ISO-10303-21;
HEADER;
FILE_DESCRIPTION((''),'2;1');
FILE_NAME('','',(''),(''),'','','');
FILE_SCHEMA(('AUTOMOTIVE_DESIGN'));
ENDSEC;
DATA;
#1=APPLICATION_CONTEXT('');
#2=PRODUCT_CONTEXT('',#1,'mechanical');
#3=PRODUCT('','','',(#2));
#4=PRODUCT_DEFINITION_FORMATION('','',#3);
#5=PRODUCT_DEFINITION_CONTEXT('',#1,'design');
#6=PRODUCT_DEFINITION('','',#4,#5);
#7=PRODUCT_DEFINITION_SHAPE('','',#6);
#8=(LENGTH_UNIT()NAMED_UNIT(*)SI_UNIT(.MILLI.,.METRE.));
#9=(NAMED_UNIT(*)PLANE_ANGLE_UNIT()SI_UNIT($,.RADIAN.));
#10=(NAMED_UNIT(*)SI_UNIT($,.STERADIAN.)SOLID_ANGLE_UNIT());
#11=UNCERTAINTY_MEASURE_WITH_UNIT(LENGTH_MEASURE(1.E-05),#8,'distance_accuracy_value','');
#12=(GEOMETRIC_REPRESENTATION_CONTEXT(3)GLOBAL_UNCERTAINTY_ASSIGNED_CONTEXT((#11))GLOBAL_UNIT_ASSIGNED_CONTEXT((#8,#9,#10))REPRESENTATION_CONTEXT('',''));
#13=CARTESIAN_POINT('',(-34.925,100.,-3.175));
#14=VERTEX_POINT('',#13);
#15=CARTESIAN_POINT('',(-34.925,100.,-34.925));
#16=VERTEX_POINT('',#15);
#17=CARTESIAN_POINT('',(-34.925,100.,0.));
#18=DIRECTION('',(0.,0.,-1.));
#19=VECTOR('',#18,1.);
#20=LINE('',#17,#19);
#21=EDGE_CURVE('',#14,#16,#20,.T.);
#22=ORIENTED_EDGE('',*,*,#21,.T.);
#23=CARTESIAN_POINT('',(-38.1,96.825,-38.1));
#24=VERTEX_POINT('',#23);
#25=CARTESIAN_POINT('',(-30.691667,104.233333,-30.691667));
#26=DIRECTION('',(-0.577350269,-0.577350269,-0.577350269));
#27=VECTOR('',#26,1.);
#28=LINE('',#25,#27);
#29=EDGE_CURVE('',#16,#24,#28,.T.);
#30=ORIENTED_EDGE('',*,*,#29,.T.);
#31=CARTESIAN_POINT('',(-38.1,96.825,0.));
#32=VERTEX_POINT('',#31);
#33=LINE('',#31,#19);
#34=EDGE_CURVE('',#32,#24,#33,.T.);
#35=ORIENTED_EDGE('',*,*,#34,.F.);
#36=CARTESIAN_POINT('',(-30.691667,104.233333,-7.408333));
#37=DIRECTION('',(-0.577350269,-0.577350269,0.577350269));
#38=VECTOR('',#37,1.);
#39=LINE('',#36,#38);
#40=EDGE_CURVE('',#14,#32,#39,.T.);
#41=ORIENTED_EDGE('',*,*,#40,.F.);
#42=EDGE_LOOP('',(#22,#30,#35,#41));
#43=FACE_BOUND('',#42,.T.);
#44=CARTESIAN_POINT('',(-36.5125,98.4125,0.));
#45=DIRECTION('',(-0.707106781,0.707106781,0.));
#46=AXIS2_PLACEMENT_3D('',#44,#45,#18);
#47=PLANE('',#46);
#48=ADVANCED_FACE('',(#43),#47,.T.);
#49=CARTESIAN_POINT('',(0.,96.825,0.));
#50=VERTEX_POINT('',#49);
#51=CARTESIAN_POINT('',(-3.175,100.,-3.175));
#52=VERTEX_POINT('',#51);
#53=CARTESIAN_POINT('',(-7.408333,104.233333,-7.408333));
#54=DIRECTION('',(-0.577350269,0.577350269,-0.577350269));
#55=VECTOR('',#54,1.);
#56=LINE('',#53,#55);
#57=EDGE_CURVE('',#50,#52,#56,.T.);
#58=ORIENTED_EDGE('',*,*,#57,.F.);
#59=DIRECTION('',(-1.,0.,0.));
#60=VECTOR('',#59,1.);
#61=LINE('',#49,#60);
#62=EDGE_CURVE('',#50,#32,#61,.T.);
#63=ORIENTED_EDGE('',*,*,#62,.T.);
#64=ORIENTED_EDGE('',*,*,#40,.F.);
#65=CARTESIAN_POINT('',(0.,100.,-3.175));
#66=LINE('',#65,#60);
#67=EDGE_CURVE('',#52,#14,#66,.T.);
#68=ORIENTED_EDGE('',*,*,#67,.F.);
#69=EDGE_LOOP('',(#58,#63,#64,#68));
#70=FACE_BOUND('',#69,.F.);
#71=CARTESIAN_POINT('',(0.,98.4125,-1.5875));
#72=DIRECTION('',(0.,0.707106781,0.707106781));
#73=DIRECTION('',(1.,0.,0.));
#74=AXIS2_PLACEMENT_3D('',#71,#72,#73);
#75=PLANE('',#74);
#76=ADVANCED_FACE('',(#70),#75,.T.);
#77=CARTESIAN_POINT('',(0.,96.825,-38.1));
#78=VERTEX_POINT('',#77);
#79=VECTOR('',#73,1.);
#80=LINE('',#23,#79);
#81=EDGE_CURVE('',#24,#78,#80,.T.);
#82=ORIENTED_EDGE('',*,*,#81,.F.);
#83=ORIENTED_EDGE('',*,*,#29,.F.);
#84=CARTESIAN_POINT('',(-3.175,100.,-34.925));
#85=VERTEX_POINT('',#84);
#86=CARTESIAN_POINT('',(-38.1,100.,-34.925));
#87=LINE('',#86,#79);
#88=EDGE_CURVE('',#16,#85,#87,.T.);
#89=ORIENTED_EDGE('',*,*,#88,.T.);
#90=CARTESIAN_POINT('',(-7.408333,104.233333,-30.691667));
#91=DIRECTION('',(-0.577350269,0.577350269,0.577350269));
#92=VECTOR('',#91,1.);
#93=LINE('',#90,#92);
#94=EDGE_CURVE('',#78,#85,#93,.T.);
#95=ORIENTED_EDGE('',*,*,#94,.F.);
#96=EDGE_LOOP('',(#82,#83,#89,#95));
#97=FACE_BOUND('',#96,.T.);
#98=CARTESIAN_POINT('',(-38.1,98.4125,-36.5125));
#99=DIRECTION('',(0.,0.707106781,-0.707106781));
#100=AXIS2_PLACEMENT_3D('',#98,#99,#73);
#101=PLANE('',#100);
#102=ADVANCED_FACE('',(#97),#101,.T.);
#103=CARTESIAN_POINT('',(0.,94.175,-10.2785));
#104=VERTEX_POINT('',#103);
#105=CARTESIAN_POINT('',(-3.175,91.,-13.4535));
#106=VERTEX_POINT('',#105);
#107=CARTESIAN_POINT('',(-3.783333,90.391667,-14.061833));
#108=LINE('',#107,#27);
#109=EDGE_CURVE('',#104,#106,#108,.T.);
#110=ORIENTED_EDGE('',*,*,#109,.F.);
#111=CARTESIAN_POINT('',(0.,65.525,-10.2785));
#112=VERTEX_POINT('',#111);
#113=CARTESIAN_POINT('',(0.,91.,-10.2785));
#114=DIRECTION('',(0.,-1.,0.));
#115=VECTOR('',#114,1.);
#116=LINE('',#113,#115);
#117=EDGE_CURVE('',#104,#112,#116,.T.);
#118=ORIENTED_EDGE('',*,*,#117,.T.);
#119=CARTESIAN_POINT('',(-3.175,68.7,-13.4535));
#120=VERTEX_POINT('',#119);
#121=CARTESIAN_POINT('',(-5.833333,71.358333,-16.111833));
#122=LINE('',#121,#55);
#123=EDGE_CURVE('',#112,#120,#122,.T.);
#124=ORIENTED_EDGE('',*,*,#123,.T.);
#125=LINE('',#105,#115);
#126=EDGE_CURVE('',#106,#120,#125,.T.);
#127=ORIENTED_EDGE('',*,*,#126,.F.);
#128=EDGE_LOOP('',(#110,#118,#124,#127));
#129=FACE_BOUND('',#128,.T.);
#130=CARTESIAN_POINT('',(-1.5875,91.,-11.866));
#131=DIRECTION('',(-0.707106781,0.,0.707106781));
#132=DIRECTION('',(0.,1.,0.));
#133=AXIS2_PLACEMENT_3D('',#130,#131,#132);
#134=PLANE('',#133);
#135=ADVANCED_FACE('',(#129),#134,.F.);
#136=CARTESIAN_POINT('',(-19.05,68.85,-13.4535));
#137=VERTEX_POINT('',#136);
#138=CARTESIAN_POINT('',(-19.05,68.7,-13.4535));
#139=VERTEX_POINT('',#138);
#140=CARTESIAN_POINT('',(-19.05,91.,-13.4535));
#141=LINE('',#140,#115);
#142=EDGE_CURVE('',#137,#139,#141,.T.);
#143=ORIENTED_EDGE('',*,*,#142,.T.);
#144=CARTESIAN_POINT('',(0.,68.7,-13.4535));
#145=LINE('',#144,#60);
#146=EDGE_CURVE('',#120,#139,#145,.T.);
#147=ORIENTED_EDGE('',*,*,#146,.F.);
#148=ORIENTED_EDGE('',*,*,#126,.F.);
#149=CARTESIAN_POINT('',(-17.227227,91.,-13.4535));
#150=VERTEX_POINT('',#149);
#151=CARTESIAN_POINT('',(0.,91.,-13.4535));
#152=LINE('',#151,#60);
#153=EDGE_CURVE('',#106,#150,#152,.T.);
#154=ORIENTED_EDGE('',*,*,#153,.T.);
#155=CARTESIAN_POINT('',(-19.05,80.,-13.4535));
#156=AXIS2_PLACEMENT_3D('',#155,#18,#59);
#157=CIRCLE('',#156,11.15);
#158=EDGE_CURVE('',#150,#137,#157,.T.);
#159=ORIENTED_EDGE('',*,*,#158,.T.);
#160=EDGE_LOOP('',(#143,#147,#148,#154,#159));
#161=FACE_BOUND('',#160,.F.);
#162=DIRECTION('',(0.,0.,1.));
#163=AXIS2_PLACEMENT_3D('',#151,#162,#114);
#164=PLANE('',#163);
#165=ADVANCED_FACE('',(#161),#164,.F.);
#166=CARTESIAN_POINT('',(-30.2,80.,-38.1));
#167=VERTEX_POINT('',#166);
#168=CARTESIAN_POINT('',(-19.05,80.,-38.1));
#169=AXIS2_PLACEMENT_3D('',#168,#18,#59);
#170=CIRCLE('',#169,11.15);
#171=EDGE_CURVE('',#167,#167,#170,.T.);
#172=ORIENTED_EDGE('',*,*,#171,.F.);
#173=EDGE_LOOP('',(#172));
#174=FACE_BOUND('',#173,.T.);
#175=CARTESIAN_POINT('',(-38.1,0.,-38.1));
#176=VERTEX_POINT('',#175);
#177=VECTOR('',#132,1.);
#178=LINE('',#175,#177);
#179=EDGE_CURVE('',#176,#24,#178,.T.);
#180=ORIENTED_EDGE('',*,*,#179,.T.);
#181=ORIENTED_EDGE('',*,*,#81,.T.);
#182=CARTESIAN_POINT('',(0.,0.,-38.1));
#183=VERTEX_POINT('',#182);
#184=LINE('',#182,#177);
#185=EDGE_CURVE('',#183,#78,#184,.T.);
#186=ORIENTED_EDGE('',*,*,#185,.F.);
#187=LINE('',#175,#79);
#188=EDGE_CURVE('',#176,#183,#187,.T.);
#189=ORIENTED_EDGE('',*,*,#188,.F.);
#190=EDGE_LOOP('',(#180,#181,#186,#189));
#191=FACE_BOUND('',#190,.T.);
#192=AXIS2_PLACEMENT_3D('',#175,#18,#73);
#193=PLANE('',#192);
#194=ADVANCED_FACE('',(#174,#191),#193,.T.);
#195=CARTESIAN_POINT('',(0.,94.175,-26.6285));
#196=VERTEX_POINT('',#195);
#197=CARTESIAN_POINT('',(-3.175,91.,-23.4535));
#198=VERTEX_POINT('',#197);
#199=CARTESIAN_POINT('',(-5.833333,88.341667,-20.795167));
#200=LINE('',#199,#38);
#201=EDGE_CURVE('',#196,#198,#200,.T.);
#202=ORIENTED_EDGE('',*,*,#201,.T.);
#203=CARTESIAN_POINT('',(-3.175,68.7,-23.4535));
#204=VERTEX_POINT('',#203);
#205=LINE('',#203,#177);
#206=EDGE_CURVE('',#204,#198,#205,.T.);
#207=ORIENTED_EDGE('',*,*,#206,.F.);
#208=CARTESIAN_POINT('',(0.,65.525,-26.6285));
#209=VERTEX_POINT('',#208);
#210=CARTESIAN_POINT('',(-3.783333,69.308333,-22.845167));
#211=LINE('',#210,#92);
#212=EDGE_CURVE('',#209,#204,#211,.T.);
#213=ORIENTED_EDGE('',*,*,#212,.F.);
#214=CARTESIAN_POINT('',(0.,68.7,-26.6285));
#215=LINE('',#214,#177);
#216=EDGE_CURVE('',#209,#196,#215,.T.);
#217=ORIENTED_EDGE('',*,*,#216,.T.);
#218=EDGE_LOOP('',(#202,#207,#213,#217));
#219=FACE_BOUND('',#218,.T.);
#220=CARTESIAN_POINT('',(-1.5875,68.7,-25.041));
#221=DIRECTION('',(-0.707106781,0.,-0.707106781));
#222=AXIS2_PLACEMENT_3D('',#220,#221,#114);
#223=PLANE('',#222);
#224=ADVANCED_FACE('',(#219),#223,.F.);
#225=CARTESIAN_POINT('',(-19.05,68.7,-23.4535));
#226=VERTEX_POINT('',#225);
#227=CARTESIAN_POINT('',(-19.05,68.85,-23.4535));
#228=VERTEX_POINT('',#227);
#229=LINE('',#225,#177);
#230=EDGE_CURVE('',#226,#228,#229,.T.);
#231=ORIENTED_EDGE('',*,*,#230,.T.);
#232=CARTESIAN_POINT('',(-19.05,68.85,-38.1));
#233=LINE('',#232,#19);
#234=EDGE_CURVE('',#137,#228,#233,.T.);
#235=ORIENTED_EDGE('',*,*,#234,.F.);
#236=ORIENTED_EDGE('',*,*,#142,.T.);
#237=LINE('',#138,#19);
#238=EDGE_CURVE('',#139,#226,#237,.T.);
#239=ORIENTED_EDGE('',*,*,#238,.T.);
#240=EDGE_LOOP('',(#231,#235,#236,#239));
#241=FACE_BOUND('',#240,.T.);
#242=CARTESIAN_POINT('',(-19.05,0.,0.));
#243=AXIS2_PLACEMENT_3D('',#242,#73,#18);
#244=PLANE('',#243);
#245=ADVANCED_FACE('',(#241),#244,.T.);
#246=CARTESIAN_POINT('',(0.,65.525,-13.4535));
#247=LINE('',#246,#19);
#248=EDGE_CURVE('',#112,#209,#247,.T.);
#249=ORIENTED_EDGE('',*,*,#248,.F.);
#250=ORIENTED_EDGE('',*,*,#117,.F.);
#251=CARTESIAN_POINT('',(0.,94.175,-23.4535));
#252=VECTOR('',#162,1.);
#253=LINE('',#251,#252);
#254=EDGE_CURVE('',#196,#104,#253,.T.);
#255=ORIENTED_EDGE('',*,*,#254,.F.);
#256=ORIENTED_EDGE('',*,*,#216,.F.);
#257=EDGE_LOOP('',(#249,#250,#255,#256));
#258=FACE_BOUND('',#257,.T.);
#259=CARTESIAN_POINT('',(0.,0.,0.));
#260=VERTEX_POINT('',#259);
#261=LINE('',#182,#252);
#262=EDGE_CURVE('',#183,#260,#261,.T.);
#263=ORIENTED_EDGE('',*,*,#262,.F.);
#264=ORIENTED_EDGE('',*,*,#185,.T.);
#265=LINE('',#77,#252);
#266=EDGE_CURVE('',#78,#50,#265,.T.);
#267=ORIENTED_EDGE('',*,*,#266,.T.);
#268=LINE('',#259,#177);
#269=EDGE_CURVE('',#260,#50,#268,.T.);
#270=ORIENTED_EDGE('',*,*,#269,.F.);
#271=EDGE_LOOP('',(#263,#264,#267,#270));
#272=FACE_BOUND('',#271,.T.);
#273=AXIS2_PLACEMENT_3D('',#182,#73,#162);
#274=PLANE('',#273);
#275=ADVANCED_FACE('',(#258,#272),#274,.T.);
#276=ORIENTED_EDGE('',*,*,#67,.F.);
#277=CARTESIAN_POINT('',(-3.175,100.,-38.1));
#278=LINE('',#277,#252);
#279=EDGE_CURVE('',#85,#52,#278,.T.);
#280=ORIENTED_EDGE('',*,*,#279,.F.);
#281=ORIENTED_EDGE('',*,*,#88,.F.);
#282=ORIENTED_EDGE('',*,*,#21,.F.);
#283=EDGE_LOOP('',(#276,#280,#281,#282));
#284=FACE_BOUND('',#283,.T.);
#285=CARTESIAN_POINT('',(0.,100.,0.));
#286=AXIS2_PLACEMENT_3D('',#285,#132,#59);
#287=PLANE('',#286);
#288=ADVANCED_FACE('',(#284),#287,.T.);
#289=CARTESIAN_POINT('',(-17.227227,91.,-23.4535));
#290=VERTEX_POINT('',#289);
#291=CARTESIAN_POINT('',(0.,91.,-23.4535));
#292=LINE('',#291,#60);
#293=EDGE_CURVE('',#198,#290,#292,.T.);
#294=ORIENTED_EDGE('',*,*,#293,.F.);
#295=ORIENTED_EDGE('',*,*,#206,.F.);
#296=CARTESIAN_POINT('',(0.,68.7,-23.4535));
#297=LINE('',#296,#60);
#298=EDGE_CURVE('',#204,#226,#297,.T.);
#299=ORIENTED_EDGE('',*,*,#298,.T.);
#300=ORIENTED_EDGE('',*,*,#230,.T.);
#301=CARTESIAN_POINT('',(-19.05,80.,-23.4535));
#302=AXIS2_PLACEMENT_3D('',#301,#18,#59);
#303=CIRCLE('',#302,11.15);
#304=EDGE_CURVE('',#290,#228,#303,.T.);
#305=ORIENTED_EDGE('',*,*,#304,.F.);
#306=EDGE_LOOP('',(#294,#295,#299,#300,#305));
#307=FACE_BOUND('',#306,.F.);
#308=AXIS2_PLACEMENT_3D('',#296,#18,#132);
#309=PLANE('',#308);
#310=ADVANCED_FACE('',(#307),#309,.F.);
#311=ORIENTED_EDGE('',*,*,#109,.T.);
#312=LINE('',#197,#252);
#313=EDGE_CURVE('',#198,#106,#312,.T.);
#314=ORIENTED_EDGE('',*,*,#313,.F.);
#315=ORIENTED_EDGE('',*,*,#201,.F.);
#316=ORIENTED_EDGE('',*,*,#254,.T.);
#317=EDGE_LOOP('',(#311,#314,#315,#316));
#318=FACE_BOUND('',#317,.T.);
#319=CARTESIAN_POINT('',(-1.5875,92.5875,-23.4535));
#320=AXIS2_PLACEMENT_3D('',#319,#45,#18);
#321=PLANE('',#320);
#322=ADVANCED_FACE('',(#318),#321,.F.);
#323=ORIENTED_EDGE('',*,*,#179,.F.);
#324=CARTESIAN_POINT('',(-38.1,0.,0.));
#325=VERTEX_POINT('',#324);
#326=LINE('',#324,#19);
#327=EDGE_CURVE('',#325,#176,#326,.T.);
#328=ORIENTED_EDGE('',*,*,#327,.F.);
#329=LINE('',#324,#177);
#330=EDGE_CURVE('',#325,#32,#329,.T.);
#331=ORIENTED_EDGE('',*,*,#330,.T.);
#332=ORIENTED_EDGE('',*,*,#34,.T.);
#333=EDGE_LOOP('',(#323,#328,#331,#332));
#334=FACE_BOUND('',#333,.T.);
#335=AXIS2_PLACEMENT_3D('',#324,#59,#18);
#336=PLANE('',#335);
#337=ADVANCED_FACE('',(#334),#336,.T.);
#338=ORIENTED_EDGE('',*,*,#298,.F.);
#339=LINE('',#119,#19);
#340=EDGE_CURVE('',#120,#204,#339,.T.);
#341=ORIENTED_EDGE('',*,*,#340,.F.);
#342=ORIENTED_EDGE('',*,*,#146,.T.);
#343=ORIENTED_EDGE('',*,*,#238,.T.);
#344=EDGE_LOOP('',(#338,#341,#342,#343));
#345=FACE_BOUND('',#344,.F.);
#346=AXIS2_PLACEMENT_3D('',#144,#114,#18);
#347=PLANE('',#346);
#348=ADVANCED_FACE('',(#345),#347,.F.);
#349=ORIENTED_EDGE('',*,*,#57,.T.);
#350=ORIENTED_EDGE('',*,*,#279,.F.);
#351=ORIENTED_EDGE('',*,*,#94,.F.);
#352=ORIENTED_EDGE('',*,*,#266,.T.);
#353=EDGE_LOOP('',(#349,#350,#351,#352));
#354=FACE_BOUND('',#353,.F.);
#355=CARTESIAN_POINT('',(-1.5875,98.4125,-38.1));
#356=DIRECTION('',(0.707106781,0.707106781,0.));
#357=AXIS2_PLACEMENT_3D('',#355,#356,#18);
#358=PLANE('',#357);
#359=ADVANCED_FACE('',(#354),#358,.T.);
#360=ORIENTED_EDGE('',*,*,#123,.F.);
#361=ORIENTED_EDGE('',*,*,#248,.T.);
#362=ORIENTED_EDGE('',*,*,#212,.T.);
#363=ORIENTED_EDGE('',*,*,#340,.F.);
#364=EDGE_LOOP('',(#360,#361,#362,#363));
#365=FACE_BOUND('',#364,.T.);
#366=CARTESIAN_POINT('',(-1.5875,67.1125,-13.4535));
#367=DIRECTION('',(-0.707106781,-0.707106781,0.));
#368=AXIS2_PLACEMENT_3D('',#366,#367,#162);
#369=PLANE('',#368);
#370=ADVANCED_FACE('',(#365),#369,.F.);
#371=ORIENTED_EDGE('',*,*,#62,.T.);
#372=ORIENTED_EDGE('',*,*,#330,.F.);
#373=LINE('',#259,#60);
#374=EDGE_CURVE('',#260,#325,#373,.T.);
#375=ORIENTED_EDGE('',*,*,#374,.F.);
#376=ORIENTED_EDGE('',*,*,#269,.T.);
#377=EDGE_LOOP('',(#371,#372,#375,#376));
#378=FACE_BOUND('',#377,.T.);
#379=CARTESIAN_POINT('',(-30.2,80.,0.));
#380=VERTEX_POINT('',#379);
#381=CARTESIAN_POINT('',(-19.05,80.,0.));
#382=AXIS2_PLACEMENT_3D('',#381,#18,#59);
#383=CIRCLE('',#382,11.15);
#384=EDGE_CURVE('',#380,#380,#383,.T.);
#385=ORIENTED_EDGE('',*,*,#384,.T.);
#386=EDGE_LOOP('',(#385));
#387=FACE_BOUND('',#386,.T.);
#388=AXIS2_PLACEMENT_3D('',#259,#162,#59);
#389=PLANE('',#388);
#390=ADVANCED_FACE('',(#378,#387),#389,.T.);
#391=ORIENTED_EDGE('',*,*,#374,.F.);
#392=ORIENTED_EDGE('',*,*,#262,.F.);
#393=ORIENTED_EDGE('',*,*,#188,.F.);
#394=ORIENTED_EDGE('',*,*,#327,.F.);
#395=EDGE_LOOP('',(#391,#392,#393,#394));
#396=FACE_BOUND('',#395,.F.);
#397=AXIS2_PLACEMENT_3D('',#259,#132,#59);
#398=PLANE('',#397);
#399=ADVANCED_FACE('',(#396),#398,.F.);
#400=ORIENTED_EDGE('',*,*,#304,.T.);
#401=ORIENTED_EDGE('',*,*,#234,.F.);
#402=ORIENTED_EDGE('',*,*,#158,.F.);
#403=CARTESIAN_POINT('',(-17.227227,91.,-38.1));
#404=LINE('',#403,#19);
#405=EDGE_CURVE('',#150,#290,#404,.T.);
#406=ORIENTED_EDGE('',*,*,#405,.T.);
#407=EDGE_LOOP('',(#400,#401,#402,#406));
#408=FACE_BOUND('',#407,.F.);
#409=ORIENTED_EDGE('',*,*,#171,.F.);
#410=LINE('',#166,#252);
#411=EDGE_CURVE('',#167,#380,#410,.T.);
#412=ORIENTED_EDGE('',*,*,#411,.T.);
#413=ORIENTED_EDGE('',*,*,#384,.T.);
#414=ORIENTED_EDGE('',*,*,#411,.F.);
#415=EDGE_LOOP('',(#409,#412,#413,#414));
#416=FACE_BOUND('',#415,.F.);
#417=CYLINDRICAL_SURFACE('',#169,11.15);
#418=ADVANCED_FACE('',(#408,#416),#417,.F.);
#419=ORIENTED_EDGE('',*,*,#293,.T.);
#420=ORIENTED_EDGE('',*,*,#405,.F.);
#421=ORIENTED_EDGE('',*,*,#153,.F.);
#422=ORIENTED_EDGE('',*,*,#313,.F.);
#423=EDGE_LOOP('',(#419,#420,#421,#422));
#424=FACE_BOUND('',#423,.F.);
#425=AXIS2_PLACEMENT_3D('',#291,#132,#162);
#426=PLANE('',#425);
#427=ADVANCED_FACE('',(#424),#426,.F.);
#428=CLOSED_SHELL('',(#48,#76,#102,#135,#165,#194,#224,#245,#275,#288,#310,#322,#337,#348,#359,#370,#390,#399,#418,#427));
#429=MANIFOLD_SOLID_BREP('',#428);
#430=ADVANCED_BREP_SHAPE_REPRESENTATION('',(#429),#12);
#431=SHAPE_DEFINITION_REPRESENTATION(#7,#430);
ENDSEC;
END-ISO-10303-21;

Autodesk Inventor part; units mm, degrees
ref_plane "YZ Plane" through (0, 0, 0) normal (1, 0, 0) x (0, 1, 0)
ref_plane "XZ Plane" through (0, 0, 0) normal (0, 1, 0) x (-1, 0, 0)
ref_plane "XY Plane" through (0, 0, 0) normal (0, 0, 1) x (1, 0, 0)
sketch "Sketch1" plane through (0, 0, 0) normal (0, 1, 0) x (-1, 0, 0)
  line L0 (0, 0) -> (38.1, 0)
  line L1 (38.1, 0) -> (38.1, -38.1)
  line L2 (38.1, -38.1) -> (0, -38.1)
  line L3 (0, -38.1) -> (0, 0)
  dimension "d0" = 38.1
  dimension "d1" = 38.1
extrude "Extrusion1" add sketch "Sketch1" along normal blind 100
sketch "Sketch2" plane through (0, 0, -38.1) normal (0, 0, -1) x (-1, 0, 0)
  circle A0 centre (19.05, 80) radius 11.15
  line L0 (0, 100) -> (38.1, 100) projected
  line L1 (0, 0) -> (0, 100) projected
  dimension "d4" = 22.3
  dimension "d5" = 20
  dimension "d6" = 19.05
sketch "Sketch3" plane through (0, 0, -38.1) normal (0, 0, -1) x (-1, 0, 0)
  point P0 (0, 0)
extrude "Extrusion2" cut sketch "Sketch2" against normal blind 38.1
sketch "Sketch4" plane through (0, 0, 0) normal (1, 0, 0) x (0, 0, -1)
  line L0 (13.4535, 68.7) -> (23.4535, 68.7)
  line L1 (23.4535, 68.7) -> (23.4535, 91)
  line L2 (23.4535, 91) -> (13.4535, 91)
  line L3 (13.4535, 91) -> (13.4535, 68.7)
  line L4 (13.4535, 68.7) -> (23.4535, 91) construction
  line L5 (23.4535, 68.7) -> (13.4535, 91) construction
  line L6 (0, 100) -> (38.1, 100) projected
  point P0 (0, 0)
  point P1 (18.4535, 79.85)
  dimension "d9" = 10
  dimension "d10" = 22.3
  dimension "d11" = 9
extrude "Extrusion3" cut sketch "Sketch4" against normal blind 19.05
chamfer "Chamfer1" distance 3.175 angle 45 8 edges at (0, 91, -18.4535) (0, 68.7, -18.4535) (0, 79.85, -13.4535) (0, 79.85, -23.4535) (0, 100, -19.05) (-19.05, 100, -38.1) (-38.1, 100, -19.05) (-19.05, 100, 0)
properties part number "XTower"
